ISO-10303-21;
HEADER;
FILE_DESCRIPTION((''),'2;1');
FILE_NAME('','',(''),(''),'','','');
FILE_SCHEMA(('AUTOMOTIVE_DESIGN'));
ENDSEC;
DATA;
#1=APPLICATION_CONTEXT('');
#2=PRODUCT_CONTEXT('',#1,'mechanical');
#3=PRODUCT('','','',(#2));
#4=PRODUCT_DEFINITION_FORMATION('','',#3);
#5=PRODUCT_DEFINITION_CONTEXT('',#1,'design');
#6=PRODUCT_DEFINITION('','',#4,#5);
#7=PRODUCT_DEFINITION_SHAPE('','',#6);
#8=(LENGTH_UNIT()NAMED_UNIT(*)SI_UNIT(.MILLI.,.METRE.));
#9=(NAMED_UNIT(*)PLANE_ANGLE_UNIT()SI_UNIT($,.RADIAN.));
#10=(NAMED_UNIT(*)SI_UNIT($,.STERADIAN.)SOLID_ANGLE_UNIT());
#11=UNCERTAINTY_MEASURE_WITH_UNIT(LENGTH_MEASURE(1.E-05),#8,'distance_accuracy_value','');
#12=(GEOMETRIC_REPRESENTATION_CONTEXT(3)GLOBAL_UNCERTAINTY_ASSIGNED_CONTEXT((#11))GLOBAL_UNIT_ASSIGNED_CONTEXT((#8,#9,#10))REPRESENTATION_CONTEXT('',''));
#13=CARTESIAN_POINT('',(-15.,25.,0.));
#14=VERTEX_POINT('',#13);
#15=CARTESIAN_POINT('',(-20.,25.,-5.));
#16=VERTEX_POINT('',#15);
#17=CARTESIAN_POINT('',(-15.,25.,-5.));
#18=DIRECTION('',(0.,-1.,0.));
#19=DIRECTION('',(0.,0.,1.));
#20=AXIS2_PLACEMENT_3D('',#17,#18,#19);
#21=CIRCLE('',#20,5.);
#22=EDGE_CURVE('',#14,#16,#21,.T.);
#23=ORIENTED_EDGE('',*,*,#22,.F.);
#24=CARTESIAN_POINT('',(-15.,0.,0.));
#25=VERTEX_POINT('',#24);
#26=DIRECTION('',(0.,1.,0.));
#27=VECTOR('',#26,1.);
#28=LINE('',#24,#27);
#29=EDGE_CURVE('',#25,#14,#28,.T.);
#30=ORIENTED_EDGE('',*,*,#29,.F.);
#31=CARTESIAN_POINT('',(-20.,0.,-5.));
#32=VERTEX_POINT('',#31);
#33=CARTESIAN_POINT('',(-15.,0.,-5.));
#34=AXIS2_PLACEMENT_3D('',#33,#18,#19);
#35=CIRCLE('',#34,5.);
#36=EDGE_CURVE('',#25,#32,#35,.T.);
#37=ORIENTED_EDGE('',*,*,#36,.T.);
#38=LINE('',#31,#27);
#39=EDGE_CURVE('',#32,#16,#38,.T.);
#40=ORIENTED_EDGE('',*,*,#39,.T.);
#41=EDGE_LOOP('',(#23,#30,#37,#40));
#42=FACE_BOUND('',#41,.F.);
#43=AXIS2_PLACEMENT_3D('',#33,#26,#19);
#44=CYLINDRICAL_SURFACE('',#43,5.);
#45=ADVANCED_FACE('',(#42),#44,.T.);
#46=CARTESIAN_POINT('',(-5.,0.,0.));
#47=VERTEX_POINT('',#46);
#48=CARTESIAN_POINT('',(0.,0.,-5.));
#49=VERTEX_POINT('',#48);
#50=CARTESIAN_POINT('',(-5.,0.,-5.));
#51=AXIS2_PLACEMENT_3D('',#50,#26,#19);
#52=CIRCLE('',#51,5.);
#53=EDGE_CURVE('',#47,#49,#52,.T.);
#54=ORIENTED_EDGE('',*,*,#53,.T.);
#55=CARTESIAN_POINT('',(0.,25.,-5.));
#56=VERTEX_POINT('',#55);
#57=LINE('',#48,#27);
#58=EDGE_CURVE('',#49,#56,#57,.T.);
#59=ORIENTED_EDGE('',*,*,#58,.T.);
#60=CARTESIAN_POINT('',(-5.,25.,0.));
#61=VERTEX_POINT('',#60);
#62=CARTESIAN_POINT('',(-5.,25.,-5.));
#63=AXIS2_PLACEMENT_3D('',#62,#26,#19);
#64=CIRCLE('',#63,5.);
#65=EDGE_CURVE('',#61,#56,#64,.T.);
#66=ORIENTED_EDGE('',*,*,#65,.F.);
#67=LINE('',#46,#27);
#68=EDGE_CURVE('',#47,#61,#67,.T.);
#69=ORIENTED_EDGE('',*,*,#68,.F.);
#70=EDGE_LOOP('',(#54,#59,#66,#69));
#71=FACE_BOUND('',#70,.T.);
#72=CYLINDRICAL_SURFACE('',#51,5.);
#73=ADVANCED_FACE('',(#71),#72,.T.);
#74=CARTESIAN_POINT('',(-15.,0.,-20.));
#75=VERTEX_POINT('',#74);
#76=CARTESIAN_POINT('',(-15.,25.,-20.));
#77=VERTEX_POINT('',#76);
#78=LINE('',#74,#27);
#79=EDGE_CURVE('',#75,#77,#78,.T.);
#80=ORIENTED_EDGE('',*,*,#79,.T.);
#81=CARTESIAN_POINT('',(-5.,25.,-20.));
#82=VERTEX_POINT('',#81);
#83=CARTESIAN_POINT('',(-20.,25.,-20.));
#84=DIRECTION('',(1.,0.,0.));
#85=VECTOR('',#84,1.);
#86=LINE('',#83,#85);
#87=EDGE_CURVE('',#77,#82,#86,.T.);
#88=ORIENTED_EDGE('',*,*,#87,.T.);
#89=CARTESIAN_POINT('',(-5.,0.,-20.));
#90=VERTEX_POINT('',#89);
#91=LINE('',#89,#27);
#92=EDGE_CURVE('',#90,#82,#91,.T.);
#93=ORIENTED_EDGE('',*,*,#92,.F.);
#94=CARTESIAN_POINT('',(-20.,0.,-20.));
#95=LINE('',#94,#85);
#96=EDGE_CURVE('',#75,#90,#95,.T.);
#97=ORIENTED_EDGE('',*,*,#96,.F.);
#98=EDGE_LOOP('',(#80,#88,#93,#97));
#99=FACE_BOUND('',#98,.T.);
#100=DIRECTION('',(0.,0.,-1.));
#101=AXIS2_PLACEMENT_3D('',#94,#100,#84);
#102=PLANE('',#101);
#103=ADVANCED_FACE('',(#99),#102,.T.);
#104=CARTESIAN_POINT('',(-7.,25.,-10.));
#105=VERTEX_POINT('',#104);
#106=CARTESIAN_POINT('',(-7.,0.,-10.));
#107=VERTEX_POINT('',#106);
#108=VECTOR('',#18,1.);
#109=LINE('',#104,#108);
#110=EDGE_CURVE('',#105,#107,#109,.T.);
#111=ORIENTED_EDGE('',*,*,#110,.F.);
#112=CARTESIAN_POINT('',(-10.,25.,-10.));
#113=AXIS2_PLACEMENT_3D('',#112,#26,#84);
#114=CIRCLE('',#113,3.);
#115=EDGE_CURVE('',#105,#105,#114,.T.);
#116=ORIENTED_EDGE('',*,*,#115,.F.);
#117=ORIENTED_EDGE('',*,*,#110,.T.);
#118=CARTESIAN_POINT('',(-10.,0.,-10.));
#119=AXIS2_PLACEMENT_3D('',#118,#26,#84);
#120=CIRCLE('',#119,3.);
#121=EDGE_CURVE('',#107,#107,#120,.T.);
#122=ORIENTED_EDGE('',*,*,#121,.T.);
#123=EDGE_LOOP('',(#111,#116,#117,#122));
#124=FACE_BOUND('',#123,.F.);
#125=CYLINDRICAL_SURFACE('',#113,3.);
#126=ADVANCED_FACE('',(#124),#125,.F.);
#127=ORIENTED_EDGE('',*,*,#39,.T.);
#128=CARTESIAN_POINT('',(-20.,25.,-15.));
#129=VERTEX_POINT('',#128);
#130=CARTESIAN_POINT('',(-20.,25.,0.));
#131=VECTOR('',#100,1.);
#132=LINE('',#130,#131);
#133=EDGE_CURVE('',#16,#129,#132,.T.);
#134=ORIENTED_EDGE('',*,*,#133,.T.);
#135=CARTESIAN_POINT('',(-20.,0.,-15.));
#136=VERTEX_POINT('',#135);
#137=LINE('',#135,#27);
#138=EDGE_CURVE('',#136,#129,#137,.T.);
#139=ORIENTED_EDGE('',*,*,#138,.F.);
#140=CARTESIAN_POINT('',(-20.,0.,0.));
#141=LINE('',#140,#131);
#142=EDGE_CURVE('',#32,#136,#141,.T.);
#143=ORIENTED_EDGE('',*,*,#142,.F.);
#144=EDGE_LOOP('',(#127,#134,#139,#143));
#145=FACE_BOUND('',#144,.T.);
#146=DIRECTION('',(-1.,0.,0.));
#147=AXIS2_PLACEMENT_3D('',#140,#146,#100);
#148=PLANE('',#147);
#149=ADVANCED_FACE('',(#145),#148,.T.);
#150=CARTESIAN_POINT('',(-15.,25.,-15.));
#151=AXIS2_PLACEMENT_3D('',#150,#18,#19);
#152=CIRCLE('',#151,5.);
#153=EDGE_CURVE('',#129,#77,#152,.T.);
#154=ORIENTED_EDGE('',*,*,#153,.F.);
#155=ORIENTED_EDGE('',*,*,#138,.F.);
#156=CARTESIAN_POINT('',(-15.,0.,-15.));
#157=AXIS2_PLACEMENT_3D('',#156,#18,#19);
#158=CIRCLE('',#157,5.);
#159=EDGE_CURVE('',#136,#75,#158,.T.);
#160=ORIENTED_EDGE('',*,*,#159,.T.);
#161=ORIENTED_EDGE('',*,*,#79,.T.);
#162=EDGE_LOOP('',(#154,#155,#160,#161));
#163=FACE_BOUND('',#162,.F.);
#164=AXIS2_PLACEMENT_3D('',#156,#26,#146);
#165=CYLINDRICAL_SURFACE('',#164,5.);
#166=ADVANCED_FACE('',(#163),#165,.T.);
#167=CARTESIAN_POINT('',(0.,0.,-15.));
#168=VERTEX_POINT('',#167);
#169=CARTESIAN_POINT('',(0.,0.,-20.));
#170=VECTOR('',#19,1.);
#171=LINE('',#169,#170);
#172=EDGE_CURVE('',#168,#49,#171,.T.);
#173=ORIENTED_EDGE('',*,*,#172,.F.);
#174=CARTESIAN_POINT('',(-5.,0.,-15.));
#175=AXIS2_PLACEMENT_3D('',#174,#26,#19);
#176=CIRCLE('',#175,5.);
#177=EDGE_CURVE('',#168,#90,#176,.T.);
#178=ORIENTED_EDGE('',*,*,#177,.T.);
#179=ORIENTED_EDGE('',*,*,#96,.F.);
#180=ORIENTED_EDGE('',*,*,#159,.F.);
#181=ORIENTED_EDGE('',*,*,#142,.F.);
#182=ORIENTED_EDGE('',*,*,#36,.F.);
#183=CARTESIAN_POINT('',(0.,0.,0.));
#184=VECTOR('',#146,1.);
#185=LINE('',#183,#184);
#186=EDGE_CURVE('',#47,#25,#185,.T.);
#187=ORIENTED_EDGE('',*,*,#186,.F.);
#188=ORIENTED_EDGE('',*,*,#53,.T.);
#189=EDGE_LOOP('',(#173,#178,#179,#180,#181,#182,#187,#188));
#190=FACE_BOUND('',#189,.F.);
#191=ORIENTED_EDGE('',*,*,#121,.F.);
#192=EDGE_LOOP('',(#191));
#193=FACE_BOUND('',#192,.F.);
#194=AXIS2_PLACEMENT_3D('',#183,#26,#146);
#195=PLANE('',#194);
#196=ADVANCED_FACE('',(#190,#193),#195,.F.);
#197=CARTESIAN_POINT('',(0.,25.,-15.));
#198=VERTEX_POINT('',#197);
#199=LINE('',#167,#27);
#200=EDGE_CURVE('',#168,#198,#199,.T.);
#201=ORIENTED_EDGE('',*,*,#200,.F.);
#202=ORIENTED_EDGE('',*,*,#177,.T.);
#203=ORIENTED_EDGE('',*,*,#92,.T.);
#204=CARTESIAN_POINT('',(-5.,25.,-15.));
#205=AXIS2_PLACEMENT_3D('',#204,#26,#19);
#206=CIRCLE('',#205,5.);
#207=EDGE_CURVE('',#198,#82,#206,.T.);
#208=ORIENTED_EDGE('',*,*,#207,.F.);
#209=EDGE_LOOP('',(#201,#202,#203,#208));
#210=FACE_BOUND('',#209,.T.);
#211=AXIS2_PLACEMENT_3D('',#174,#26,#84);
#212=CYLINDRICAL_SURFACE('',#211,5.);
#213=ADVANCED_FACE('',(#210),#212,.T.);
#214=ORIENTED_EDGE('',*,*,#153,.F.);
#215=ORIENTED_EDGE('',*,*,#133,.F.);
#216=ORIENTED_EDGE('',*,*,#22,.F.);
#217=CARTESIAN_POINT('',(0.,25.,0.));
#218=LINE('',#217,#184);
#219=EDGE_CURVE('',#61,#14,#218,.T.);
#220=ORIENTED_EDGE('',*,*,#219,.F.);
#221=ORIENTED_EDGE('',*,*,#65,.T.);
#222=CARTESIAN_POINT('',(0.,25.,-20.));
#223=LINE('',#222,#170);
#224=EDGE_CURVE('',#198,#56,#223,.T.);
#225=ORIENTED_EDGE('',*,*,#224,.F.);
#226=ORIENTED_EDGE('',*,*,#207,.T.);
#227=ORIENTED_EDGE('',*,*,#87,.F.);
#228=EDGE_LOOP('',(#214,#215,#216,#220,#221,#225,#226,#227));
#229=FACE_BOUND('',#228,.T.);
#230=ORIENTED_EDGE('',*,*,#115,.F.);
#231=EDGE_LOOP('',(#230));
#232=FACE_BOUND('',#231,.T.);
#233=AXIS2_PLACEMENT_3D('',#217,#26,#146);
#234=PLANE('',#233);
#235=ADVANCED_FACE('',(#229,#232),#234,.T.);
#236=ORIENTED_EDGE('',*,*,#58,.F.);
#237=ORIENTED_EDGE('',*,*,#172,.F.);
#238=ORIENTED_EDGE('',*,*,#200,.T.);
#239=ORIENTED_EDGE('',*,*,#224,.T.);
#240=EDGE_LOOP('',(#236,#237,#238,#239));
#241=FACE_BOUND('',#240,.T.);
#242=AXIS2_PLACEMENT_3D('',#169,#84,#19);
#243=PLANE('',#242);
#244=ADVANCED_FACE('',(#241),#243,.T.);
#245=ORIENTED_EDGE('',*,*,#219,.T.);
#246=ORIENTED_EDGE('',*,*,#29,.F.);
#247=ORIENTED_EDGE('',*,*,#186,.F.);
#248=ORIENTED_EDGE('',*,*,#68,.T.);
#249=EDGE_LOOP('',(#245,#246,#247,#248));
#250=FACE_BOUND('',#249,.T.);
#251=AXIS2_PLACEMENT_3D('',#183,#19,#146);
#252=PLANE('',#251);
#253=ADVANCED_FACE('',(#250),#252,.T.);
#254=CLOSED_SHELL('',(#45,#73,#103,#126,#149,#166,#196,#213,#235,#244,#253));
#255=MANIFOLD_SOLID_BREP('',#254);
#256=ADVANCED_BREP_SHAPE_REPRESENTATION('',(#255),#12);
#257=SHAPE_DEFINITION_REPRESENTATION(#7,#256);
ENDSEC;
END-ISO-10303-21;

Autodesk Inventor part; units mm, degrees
ref_plane "YZ Plane" through (0, 0, 0) normal (1, 0, 0) x (0, 1, 0)
ref_plane "XZ Plane" through (0, 0, 0) normal (0, 1, 0) x (-1, 0, 0)
ref_plane "XY Plane" through (0, 0, 0) normal (0, 0, 1) x (1, 0, 0)
sketch "Sketch1" plane through (0, 0, 0) normal (0, 1, 0) x (-1, 0, 0)
  line L0 (0, 0) -> (20, 0)
  line L1 (20, 0) -> (20, -20)
  line L2 (20, -20) -> (0, -20)
  line L3 (0, -20) -> (0, 0)
  dimension "d0" = 20
  dimension "d1" = 20
extrude "Extrusion1" add sketch "Sketch1" along normal blind 25
sketch "Sketch2" plane through (0, 25, 0) normal (0, 1, 0) x (1, 0, 0)
  circle A0 centre (-10, 10) radius 3
  line L0 (0, 20) -> (-20, 20) projected
  line L1 (-20, 20) -> (-20, 0) projected
  point P0 (0, 0)
  dimension "d4" = 6
  dimension "d5" = 10
  dimension "d6" = 10
extrude "Extrusion2" cut sketch "Sketch2" against normal through all
fillet "Fillet1" radius 5 4 edges at (-20, 12.5, -20) (0, 12.5, 0) (0, 12.5, -20) (-20, 12.5, 0)
properties part number "SpacerBlock_25mm"
